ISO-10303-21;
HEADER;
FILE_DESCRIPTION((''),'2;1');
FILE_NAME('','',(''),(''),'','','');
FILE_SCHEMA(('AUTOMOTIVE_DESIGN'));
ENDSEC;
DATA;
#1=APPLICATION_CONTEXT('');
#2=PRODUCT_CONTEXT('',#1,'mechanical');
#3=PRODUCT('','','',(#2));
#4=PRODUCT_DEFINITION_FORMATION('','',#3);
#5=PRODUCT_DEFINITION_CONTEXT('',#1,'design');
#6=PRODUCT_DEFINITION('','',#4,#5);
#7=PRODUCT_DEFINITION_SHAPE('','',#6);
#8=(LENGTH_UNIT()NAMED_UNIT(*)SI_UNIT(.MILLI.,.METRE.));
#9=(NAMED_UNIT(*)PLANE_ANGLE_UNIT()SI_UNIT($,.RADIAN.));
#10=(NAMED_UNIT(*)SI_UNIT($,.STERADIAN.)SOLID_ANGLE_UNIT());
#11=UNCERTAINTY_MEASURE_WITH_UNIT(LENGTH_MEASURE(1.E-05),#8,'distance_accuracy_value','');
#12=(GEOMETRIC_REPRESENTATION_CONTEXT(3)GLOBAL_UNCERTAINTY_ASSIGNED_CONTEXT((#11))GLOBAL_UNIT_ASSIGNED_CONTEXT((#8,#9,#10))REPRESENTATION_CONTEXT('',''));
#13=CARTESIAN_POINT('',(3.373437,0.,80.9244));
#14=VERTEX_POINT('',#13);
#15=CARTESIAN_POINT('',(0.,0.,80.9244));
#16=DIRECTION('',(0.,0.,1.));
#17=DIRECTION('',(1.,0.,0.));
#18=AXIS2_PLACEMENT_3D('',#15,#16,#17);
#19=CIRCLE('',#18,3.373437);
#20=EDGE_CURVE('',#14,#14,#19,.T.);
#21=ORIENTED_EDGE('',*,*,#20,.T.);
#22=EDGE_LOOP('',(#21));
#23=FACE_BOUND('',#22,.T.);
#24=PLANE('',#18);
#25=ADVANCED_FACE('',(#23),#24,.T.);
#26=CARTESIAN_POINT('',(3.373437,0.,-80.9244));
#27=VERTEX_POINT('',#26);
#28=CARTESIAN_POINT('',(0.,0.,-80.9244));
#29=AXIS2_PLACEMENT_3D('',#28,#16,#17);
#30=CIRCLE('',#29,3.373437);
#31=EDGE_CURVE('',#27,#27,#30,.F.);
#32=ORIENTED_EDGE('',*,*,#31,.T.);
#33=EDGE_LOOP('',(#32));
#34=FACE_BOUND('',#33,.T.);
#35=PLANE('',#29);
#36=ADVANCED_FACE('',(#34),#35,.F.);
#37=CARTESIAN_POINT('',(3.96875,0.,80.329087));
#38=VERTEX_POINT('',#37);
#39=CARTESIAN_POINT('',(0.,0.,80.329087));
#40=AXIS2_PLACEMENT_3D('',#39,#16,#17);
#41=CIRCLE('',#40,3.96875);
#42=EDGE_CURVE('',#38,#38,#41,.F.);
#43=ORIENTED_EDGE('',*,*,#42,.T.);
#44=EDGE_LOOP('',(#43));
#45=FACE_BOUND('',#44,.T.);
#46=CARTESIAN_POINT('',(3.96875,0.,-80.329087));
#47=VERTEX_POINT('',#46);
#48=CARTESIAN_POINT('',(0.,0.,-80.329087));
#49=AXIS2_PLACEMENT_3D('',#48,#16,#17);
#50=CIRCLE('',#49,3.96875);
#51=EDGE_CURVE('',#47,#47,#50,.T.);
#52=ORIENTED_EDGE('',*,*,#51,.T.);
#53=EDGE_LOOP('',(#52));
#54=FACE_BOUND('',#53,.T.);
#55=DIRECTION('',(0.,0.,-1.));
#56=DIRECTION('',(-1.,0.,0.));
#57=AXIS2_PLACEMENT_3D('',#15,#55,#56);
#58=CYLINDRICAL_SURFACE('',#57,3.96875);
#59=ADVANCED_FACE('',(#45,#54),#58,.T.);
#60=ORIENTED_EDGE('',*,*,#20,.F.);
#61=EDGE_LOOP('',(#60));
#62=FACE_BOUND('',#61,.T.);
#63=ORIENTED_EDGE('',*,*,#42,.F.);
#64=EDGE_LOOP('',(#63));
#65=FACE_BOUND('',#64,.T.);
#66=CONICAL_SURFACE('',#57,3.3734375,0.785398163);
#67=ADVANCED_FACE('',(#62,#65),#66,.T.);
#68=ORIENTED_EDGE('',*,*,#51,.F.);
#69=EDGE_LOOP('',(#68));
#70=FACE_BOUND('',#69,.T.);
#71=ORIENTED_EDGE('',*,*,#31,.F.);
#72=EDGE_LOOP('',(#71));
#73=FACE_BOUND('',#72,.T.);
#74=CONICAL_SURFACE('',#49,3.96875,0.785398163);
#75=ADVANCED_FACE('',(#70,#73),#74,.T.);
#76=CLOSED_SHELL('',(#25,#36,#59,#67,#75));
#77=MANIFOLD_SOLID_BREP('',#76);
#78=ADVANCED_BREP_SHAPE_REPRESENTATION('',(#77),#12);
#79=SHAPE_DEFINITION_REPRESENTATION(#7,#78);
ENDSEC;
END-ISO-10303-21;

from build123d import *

# Parameters (mm, degrees)
SKETCH2_R                = 3.96875
BOSS_EXTRUDE1_DEPTH      = 80.9244
BOSS_EXTRUDE1_DEPTH_BACK = 80.9244
CHAMFER1_SIZE            = 0.5953125


with BuildPart() as part:
    # Sketch2 → Boss-Extrude1 (new body, two sides)
    with BuildSketch(Plane.XY) as boss_extrude1_sk:
        Circle(SKETCH2_R)
    extrude(amount=BOSS_EXTRUDE1_DEPTH)
    extrude(boss_extrude1_sk.sketch, amount=-BOSS_EXTRUDE1_DEPTH_BACK)

    # Chamfer1
    chamfer1_edges = [part.edges().sort_by_distance(p)[0] for p in [
        (-3.96875, 0, -80.9244),
        (-3.96875, 0, 80.9244),
    ]]
    chamfer(chamfer1_edges, length=CHAMFER1_SIZE)


solid = part.part
